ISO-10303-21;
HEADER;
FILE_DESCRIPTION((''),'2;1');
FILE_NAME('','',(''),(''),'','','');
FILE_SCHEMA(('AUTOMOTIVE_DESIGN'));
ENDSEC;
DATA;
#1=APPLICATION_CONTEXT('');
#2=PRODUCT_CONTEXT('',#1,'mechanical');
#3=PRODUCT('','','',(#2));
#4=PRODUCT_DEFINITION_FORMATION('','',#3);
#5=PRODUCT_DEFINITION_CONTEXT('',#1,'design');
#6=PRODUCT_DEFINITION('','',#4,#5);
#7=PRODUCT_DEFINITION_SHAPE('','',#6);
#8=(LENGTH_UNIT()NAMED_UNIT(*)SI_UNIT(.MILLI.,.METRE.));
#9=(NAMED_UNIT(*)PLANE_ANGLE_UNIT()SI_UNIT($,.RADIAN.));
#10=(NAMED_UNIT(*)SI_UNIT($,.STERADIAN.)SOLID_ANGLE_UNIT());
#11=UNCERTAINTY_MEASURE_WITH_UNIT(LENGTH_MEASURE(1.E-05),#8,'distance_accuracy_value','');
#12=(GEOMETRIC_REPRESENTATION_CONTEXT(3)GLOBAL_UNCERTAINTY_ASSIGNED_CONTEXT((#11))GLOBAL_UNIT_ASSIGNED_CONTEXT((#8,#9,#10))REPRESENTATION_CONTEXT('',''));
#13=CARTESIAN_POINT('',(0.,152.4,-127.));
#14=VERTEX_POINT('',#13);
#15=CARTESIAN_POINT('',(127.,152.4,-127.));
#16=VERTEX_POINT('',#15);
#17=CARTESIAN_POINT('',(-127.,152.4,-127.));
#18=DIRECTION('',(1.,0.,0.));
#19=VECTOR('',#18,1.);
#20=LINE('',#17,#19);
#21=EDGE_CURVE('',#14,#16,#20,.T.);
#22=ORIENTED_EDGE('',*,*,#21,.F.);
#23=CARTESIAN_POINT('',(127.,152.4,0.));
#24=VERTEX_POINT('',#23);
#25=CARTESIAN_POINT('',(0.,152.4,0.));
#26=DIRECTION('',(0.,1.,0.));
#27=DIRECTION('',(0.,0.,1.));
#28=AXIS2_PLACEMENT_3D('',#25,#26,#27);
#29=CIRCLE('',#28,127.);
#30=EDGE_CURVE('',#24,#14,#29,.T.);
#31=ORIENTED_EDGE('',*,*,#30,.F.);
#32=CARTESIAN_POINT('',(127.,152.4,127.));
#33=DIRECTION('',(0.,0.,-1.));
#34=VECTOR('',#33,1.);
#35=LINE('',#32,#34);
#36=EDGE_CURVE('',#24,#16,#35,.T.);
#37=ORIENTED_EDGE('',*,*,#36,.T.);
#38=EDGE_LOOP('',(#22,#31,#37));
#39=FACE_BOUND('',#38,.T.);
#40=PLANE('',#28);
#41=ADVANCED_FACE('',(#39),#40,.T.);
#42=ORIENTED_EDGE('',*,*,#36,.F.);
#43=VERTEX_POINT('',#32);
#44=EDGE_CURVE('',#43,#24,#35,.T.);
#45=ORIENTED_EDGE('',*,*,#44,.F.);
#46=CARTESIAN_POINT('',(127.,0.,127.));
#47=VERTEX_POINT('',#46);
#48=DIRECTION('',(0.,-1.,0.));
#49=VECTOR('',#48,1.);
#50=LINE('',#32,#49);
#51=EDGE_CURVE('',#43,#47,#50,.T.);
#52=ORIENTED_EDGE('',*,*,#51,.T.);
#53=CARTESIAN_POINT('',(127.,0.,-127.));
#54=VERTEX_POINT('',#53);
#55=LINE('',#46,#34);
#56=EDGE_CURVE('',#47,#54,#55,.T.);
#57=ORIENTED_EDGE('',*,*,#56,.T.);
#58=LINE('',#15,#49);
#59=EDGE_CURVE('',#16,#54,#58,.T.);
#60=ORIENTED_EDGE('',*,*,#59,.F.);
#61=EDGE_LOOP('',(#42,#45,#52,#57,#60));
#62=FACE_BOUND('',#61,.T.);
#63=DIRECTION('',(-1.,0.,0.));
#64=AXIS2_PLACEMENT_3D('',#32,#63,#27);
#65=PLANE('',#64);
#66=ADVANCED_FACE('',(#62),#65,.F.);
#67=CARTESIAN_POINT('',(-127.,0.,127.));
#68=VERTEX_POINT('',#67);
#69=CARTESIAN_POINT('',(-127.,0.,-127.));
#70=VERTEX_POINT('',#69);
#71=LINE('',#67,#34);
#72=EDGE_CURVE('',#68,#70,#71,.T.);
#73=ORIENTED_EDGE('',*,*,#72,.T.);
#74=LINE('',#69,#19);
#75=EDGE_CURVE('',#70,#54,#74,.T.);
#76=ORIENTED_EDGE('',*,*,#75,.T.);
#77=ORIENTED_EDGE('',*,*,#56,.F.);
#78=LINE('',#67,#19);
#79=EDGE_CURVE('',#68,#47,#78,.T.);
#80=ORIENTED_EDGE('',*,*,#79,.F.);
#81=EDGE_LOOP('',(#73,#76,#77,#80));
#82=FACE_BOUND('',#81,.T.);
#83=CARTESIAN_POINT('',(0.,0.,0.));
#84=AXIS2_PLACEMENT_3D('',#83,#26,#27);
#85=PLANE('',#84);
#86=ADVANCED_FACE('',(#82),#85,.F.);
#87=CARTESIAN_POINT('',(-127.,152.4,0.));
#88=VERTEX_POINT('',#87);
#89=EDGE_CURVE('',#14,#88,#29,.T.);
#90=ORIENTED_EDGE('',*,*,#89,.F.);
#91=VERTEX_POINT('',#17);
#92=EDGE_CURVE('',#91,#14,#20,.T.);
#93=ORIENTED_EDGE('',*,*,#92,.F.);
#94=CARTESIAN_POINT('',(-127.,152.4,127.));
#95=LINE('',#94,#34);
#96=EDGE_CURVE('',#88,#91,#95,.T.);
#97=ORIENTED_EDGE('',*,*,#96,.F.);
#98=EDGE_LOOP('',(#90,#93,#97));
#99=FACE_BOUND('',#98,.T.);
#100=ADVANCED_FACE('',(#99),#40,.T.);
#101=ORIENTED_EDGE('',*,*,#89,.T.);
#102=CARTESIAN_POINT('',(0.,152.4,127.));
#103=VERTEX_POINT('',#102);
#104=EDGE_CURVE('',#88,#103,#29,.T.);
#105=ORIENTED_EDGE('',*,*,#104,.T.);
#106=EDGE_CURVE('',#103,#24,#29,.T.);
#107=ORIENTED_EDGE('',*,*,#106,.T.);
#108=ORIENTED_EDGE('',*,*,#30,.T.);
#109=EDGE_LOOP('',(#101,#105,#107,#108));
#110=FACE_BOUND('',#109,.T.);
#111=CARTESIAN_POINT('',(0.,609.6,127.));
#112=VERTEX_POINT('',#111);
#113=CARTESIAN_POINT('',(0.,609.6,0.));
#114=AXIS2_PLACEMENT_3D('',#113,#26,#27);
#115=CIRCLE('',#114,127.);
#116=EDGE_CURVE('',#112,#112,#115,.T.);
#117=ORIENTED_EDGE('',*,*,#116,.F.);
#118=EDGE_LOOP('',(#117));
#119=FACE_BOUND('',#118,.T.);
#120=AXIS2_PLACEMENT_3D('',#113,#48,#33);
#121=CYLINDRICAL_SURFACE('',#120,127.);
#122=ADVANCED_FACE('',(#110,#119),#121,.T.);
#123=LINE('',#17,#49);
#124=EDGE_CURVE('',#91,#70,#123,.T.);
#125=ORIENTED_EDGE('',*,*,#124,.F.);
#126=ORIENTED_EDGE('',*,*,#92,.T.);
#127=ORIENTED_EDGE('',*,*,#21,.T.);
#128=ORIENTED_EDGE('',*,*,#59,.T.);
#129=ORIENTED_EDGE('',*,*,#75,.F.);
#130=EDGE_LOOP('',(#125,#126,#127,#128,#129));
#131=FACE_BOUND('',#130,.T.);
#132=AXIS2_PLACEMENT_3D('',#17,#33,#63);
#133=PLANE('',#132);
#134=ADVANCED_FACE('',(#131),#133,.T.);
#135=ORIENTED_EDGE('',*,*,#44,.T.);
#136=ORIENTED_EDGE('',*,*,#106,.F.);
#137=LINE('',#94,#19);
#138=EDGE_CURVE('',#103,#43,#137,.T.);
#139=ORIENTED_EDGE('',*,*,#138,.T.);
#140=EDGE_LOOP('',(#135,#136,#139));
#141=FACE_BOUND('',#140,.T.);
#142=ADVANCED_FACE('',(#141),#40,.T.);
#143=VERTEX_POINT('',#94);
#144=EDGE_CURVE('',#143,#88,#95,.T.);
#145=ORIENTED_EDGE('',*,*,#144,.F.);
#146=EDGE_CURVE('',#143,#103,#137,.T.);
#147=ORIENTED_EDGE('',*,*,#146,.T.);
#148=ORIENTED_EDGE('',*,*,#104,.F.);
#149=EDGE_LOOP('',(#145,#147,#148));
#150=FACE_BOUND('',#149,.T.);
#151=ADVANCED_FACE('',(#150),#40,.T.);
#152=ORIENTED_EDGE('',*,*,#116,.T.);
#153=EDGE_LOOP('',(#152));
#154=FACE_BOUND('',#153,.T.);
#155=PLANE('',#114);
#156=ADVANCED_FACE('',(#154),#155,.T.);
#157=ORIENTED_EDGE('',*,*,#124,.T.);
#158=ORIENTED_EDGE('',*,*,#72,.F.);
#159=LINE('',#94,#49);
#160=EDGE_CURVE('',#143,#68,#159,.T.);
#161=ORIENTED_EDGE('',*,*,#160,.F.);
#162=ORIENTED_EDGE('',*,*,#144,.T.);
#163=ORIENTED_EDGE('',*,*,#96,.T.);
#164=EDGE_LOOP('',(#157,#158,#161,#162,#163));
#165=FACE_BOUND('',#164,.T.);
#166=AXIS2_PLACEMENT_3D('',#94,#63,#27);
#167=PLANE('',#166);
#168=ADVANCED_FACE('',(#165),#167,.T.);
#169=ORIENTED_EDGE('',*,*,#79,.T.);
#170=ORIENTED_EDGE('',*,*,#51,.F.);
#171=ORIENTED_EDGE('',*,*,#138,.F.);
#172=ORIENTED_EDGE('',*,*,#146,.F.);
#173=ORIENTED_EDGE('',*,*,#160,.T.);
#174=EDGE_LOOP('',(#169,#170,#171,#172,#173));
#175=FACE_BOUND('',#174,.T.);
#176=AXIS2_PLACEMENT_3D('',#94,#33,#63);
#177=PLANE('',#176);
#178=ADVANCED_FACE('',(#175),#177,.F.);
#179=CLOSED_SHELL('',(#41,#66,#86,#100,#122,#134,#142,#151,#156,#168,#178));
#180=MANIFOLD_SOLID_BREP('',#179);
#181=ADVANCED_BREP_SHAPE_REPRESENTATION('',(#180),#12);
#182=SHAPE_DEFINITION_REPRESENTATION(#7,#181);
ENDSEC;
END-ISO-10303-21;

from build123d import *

# Parameters (mm, degrees)
SKETCH2_W           = 254
SKETCH2_H           = 254
BOSS_EXTRUDE1_DEPTH = 152.4
SKETCH3_R           = 127
BOSS_EXTRUDE2_DEPTH = 457.2


with BuildPart() as part:
    # Sketch2 → Boss-Extrude1 (new body)
    with BuildSketch(Plane(origin=(0, 0, 0), x_dir=(1, 0, 0), z_dir=(0, 1, 0))):
        Rectangle(SKETCH2_W, SKETCH2_H)
    extrude(amount=BOSS_EXTRUDE1_DEPTH)

    # Sketch3 → Boss-Extrude2 (add)
    with BuildSketch(Plane(origin=(0, 152.4, 0), x_dir=(1, 0, 0), z_dir=(0, 1, 0))):
        with Locations(Location((0, 0, 0), (0, 0, 270))):
            Circle(SKETCH3_R)
    extrude(amount=BOSS_EXTRUDE2_DEPTH)


solid = part.part
